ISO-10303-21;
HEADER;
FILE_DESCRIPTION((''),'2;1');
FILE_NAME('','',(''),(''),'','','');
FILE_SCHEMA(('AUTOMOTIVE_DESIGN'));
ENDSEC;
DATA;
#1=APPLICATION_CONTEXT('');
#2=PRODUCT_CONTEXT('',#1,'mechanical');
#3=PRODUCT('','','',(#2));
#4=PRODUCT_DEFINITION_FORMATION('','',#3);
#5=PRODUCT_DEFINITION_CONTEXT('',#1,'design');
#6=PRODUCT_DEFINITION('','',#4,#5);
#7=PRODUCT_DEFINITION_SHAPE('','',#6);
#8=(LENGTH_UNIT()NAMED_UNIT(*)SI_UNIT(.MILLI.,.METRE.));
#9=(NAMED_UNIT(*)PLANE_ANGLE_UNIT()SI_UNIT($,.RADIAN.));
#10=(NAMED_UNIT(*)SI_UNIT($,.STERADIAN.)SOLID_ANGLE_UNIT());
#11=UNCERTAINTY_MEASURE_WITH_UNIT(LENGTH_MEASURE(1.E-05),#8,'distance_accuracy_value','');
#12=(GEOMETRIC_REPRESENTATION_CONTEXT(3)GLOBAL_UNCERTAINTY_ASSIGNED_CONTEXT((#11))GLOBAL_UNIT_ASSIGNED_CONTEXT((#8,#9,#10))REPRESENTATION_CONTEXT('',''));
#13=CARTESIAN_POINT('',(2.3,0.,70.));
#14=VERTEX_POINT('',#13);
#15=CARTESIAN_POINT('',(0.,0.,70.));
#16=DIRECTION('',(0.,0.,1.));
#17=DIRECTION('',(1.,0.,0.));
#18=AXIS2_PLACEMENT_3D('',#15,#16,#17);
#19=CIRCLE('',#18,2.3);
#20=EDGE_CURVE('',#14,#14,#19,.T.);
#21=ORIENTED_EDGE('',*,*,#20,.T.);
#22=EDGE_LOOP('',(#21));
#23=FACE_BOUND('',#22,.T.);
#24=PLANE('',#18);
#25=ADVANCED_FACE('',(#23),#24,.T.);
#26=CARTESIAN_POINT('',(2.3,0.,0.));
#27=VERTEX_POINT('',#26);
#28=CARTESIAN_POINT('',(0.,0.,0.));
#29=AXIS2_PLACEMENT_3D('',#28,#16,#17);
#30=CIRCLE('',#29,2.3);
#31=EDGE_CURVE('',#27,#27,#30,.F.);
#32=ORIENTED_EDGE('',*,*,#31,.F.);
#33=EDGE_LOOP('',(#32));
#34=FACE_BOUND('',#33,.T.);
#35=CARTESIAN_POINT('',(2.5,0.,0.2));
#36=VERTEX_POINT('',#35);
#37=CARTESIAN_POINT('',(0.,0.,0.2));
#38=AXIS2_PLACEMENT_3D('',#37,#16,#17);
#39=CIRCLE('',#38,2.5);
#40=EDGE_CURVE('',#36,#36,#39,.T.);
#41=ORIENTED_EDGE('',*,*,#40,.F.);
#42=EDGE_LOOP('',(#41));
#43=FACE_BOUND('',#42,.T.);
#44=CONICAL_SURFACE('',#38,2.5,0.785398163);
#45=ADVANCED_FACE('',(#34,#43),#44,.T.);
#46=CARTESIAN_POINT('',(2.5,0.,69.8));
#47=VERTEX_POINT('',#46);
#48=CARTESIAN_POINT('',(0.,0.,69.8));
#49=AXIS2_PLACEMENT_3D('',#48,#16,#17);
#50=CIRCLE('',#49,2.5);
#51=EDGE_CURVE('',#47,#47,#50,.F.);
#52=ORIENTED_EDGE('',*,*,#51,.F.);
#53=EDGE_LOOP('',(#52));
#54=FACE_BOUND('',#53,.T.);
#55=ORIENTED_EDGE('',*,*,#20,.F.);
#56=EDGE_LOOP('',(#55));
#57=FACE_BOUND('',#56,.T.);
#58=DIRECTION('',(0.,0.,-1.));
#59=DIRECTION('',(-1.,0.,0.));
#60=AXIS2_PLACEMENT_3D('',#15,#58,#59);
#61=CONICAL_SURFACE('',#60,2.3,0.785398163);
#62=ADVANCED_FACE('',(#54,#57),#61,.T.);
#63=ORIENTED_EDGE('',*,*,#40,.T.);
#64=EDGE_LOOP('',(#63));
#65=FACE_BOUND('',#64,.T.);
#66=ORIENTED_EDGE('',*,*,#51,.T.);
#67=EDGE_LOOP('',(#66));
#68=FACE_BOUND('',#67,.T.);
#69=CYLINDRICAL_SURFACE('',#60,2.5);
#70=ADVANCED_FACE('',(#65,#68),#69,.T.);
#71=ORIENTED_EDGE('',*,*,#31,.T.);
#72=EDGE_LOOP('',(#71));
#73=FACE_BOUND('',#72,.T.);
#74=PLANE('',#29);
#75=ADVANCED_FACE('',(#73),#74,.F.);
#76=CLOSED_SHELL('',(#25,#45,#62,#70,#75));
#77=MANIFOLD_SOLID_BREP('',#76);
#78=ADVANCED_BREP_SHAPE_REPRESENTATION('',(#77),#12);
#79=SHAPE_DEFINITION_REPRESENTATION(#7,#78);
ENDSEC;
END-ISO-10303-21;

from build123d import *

# Parameters (mm, degrees)
SKETCH_1_R      = 2.5
EXTRUDE_1_DEPTH = 70
CHAMFER_1_SIZE  = 0.2


with BuildPart() as part:
    # Эскиз1 → Бобышка-Вытянуть1 (new body)
    with BuildSketch(Plane.XY):
        Circle(SKETCH_1_R)
    extrude(amount=EXTRUDE_1_DEPTH)

    # Фаска1
    chamfer_1_edges = [part.edges().sort_by_distance(p)[0] for p in [
        (-2.5, 0, 0),
        (-2.5, 0, 70),
    ]]
    chamfer(chamfer_1_edges, length=CHAMFER_1_SIZE)


solid = part.part
